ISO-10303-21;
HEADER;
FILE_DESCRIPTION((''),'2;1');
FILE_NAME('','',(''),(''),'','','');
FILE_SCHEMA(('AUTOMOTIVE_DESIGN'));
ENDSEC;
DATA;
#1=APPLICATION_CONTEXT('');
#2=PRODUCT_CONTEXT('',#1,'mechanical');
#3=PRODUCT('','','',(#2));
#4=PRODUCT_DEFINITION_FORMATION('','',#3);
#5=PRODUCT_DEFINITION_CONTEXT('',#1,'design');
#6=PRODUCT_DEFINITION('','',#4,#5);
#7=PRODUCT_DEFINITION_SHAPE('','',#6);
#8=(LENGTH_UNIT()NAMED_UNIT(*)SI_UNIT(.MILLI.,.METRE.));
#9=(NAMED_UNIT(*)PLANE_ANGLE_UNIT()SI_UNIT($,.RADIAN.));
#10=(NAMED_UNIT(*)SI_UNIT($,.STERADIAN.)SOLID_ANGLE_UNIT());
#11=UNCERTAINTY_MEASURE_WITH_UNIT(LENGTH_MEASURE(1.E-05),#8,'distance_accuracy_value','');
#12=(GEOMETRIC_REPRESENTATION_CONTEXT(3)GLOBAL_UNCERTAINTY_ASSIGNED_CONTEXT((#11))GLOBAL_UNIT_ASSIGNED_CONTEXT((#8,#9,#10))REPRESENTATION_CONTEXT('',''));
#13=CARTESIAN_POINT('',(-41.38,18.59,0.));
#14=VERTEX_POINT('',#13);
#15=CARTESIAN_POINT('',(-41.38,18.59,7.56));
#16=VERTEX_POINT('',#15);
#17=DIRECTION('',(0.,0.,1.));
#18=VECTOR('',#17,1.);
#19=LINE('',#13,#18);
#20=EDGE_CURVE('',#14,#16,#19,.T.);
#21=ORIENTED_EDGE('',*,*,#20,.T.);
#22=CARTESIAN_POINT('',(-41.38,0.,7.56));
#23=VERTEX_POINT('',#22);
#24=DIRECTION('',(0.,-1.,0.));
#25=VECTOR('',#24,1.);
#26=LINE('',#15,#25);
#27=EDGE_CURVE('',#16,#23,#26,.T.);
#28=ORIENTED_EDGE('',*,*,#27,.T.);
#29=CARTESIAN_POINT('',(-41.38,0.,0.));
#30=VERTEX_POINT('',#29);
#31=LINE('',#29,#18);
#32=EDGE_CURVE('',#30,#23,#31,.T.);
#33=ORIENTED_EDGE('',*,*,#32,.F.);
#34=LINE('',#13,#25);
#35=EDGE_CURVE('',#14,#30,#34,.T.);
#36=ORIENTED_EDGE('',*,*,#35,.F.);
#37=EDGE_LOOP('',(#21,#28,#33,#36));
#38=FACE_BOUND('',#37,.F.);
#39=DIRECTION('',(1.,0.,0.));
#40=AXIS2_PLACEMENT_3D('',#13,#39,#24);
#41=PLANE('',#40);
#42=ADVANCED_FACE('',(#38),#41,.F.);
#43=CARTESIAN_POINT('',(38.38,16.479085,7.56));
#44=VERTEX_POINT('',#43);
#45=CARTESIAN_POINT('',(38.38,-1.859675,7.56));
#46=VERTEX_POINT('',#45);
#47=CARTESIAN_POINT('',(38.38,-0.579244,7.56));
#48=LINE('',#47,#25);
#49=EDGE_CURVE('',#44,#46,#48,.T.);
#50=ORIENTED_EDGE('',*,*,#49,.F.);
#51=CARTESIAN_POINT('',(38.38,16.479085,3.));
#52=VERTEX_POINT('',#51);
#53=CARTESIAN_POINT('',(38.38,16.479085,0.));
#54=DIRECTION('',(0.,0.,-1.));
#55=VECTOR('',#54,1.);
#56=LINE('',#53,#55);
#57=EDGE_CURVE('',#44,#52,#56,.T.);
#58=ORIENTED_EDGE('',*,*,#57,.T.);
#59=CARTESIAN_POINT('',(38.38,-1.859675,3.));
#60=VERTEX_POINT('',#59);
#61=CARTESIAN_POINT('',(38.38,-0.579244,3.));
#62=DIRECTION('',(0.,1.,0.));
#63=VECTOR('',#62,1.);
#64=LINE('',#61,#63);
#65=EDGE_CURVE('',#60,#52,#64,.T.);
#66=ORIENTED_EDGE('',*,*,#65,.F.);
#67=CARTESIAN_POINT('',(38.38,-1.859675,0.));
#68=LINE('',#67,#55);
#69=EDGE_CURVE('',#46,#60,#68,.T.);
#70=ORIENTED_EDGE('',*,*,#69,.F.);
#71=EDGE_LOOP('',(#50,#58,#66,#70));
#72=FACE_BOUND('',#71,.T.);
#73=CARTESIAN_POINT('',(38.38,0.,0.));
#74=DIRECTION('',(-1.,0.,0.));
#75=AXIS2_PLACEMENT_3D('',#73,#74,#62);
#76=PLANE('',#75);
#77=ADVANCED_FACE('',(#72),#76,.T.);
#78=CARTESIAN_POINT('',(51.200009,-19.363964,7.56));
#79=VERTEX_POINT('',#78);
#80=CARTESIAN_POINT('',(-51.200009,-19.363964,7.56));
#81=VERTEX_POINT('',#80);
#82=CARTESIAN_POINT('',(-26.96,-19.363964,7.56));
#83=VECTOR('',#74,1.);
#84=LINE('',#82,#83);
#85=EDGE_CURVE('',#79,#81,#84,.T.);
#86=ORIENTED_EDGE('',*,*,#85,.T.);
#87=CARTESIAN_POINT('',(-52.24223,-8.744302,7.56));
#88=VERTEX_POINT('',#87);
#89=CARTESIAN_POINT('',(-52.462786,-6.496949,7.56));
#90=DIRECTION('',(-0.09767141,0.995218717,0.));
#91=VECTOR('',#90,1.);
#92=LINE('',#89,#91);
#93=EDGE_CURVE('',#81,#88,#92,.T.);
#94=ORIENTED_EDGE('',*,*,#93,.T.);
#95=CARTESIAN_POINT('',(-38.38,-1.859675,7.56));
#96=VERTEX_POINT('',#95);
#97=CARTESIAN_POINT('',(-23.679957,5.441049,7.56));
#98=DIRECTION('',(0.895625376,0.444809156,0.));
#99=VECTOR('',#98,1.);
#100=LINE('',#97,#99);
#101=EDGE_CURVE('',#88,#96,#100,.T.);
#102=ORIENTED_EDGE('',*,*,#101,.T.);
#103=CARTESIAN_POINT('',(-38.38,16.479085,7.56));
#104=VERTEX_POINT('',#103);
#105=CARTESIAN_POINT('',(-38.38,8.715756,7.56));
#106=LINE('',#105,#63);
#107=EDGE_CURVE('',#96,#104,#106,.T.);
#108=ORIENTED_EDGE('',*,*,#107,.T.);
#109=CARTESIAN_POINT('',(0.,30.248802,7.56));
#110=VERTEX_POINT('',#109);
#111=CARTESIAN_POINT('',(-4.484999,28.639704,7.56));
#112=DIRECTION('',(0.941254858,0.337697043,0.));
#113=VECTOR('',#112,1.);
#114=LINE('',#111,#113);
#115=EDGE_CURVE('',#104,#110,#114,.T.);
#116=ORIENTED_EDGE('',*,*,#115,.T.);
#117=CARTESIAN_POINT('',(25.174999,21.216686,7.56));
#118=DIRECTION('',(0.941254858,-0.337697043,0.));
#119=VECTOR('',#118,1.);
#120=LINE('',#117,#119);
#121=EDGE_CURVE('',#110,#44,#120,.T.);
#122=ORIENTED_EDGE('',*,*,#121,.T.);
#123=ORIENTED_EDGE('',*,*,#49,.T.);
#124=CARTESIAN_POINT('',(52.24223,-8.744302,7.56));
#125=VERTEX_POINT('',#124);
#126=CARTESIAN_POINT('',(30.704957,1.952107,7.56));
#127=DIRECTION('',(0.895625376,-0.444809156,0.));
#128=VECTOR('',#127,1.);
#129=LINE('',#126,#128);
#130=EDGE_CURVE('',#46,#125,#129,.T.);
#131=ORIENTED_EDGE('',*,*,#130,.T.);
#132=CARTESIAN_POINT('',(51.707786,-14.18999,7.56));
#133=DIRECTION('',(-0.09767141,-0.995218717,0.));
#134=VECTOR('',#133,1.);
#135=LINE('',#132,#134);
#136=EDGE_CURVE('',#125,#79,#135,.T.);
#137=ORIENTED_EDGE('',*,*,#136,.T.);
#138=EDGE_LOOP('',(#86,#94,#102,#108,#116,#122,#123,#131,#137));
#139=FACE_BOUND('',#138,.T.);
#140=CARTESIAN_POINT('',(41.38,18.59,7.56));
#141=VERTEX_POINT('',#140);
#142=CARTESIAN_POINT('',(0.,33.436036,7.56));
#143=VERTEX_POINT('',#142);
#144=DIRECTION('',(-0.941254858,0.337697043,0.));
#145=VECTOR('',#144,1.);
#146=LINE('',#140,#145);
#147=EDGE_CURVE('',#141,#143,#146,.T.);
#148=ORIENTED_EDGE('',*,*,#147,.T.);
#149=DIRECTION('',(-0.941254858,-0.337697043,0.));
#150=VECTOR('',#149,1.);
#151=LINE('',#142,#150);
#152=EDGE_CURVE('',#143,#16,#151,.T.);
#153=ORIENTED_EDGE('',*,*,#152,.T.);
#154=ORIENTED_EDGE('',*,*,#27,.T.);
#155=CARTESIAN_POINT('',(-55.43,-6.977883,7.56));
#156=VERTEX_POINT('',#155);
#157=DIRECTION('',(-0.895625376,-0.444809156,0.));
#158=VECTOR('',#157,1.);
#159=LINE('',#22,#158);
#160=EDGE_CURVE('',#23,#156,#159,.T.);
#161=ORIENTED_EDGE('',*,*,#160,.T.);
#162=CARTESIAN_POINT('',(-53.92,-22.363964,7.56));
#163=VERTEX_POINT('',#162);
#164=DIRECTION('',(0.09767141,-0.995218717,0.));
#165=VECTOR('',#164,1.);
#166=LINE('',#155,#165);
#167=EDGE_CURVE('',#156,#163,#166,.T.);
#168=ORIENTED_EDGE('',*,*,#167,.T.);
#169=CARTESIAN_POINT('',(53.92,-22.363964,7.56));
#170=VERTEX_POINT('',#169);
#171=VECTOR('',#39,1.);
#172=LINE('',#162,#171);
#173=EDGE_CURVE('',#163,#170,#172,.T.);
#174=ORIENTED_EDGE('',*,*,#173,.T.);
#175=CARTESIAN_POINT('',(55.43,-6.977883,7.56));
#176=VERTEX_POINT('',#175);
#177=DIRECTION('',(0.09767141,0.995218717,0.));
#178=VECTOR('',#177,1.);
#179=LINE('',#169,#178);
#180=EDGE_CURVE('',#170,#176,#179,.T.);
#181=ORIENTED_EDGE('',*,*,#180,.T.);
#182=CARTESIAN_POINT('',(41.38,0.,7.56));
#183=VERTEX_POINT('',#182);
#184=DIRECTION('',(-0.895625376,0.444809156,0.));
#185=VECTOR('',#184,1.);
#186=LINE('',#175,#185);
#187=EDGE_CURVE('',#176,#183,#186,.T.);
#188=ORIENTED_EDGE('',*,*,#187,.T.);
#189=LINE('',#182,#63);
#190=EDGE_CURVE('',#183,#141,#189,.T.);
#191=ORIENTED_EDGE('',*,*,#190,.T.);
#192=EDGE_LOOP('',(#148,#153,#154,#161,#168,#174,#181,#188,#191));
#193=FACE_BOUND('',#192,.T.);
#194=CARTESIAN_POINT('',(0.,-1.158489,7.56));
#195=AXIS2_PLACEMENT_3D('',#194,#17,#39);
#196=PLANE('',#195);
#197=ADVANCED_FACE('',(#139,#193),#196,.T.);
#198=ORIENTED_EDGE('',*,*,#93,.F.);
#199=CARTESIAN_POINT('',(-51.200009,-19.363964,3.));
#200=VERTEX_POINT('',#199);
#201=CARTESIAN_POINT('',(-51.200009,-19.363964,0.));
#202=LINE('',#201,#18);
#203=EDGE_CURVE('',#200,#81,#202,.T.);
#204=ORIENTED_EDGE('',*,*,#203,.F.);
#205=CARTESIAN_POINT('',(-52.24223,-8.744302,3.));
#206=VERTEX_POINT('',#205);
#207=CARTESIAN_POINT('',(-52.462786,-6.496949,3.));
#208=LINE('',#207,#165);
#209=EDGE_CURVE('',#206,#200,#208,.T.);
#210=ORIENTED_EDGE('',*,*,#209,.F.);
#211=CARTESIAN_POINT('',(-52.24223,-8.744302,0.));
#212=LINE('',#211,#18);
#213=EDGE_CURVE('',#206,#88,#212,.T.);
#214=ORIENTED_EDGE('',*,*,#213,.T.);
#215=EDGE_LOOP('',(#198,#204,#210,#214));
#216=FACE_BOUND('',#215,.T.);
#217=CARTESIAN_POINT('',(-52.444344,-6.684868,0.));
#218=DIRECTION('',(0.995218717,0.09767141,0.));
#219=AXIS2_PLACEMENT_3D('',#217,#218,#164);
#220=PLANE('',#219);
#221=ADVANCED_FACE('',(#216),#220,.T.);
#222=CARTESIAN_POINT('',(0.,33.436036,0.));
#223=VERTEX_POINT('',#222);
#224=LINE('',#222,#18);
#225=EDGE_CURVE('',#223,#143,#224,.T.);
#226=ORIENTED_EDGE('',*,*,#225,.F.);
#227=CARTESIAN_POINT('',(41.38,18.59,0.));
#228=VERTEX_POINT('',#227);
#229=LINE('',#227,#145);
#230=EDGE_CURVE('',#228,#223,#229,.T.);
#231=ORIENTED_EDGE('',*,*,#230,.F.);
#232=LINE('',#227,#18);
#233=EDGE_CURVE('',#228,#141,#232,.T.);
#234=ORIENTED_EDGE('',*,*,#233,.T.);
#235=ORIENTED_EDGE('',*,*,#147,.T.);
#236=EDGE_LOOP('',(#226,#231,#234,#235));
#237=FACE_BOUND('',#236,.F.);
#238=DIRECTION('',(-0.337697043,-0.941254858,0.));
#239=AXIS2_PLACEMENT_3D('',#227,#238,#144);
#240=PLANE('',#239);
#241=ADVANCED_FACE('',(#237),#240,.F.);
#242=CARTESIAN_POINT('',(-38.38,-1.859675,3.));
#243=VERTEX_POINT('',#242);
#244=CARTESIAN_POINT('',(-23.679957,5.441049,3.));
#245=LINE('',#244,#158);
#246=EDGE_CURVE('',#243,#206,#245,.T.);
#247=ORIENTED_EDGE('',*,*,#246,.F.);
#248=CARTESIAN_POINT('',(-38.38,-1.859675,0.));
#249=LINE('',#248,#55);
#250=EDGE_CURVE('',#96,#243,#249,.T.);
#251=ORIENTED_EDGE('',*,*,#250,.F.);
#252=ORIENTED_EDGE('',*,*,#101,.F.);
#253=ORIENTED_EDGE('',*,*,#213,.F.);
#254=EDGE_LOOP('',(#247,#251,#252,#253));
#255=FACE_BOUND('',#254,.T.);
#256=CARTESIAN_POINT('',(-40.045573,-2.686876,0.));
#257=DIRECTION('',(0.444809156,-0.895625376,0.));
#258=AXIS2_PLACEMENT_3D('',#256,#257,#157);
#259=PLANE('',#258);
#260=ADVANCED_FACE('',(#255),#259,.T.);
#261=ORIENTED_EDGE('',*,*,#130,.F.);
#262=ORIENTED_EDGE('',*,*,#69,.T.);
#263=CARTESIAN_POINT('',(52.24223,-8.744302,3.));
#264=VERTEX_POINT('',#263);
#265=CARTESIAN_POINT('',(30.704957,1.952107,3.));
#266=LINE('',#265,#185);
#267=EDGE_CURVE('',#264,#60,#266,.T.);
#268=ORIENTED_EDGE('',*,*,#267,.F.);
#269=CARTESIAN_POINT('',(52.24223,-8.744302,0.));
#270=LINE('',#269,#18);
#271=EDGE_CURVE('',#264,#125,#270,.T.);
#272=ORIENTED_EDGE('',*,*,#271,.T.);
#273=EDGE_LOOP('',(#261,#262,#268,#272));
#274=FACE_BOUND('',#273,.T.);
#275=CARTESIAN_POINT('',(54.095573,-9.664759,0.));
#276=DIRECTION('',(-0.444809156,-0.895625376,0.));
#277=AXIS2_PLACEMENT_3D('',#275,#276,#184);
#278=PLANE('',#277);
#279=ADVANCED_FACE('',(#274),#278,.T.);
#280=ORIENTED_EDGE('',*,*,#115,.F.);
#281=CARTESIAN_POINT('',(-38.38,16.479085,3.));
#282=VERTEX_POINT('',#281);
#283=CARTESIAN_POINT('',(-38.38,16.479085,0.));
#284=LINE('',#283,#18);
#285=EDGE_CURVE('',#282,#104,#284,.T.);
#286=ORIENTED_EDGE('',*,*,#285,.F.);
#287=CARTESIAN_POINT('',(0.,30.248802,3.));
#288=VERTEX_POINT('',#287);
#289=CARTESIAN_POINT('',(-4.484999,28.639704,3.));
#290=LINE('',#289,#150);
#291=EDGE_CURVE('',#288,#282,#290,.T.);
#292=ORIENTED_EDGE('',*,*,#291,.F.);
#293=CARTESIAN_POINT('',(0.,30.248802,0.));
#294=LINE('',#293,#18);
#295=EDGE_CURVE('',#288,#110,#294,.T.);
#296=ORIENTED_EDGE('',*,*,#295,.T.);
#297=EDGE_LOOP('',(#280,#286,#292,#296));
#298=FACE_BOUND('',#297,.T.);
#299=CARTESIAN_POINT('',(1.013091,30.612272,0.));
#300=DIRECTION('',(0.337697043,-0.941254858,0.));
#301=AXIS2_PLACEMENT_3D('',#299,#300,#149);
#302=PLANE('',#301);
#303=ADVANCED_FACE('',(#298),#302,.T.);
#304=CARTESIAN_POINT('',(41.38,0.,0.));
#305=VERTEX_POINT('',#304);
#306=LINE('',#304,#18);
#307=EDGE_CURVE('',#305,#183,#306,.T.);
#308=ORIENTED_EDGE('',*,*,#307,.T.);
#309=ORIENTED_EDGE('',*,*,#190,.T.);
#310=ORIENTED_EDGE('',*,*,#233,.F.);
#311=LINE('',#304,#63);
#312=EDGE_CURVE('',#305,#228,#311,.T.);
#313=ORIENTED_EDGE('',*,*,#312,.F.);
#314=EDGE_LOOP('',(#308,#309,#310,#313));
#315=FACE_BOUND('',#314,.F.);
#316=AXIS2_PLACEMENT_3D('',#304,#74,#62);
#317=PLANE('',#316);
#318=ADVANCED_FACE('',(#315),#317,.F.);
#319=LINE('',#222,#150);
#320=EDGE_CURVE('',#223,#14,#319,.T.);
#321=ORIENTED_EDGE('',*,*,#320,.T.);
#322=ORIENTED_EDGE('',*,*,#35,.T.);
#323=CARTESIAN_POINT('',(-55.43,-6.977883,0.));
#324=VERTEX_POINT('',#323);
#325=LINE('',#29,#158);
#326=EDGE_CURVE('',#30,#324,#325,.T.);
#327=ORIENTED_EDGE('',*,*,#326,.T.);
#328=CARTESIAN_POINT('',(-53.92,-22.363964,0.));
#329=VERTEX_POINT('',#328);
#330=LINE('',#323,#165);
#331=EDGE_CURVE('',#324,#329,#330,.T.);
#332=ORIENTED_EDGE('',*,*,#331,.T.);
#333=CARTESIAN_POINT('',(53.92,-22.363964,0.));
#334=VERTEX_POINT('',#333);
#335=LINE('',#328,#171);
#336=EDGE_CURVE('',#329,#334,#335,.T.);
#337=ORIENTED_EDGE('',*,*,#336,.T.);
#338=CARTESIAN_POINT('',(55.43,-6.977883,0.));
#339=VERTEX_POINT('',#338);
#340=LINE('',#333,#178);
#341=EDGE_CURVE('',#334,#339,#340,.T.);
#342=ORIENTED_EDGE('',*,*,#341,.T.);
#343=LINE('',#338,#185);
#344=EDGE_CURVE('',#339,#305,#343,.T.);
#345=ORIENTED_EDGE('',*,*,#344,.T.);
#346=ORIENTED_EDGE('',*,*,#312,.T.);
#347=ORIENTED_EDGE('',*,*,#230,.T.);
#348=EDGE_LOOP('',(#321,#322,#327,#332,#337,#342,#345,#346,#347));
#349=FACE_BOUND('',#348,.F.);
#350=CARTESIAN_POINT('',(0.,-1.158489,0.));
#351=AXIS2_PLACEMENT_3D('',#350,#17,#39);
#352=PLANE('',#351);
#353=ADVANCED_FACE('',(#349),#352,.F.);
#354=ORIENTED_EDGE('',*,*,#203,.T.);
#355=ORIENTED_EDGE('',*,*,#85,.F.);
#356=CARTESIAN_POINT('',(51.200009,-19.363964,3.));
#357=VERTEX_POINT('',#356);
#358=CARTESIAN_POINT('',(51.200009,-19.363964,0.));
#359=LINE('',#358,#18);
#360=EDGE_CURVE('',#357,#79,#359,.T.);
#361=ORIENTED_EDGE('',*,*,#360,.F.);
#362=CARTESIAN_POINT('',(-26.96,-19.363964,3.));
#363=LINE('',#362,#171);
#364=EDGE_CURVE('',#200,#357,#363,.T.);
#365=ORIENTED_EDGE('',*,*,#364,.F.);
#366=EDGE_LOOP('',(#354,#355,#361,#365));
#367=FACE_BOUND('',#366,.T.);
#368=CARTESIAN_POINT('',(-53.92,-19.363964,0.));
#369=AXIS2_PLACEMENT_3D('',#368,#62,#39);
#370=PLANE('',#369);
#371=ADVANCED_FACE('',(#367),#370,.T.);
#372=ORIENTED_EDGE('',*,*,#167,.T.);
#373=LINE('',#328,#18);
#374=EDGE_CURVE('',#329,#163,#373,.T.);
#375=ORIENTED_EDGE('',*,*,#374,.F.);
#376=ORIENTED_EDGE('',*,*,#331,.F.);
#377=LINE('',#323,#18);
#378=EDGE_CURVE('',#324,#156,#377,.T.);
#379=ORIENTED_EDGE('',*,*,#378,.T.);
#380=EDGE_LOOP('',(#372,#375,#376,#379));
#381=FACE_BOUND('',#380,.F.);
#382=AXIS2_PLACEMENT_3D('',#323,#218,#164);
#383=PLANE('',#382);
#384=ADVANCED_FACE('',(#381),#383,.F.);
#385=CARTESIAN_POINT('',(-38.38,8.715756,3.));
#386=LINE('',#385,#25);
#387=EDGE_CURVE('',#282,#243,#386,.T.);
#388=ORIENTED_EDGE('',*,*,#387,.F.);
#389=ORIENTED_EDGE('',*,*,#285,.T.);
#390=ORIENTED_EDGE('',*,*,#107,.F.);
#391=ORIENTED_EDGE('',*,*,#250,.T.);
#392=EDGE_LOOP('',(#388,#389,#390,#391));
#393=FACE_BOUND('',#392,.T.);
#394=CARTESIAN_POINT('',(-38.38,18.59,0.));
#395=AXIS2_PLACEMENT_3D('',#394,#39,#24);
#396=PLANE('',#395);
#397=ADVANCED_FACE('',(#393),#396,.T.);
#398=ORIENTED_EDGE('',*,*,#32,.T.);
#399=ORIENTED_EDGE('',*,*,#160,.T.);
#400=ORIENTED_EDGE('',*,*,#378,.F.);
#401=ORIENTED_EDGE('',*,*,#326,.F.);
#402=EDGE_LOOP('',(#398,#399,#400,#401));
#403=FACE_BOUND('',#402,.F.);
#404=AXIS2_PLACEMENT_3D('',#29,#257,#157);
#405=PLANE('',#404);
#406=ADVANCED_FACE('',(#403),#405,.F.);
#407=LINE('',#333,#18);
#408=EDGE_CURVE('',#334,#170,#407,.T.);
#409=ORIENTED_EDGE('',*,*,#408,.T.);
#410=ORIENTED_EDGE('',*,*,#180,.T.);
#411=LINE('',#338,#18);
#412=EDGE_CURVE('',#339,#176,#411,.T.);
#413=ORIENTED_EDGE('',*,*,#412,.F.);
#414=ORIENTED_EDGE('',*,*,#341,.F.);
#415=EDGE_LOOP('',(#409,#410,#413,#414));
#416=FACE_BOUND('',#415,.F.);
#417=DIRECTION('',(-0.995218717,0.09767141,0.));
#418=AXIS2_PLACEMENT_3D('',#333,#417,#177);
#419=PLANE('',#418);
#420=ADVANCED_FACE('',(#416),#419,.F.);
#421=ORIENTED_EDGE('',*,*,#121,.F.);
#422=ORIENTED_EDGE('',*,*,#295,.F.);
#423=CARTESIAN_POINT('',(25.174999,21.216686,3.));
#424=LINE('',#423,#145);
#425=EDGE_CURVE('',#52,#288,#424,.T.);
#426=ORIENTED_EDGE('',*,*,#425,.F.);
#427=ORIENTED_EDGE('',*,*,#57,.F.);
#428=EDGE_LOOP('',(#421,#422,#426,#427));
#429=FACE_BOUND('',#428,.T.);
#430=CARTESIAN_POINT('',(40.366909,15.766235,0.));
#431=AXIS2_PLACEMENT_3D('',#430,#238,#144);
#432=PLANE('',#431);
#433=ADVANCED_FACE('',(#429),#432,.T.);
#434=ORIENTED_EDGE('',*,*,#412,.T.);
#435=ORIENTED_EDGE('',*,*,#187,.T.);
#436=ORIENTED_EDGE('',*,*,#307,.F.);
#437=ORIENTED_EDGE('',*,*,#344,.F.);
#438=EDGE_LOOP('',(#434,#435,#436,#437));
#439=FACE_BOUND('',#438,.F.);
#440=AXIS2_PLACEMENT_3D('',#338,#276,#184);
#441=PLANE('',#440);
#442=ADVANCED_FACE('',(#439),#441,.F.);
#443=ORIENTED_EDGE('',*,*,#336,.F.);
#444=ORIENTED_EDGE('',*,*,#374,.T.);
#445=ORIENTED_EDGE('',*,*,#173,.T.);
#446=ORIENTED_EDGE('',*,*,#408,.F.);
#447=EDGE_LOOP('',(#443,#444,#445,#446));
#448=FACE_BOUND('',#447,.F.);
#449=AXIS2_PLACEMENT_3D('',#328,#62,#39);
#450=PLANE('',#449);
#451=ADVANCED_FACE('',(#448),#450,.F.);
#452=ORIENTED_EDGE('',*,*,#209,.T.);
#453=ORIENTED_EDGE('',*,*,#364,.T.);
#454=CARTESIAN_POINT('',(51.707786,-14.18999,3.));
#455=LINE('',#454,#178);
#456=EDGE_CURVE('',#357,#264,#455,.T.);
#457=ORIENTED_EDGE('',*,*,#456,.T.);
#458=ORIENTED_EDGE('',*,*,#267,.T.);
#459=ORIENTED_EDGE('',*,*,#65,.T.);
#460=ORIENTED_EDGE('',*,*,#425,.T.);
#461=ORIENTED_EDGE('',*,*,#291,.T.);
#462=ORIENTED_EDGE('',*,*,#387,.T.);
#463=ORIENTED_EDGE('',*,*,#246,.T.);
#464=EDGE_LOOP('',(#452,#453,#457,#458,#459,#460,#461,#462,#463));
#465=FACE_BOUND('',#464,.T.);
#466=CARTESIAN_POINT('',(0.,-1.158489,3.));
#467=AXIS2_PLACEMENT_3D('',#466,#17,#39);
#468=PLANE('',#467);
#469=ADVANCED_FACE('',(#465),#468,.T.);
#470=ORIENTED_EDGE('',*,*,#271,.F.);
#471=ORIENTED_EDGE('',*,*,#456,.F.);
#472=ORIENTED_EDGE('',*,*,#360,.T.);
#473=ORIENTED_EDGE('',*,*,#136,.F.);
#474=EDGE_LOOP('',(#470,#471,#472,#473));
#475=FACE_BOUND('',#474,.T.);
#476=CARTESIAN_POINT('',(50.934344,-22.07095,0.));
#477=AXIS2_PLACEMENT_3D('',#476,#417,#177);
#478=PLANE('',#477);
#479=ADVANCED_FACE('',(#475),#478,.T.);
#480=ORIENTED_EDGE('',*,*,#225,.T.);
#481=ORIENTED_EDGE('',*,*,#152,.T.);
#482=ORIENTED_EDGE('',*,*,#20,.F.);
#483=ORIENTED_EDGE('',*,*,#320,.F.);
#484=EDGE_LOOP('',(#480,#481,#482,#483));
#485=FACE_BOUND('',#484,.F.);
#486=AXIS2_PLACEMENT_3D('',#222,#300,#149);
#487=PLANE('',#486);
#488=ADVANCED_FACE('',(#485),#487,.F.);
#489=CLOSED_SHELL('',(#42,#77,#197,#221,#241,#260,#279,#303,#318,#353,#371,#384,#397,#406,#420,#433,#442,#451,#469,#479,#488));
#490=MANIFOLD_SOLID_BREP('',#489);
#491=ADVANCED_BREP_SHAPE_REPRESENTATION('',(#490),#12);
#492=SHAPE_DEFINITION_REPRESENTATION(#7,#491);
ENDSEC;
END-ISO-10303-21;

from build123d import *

# Parameters (mm, degrees)
F1_DEPTH = 7.56
F2_T     = -3


with BuildPart() as f1:
    # F0 (on Top) → F1 (new body)
    with BuildSketch(Plane.XY):
        Polygon((41.38, 18.59), (0, 33.4360361274), (-41.38, 18.59), (-41.38, 0), (-55.43, -6.9778825002), (-53.92, -22.3639638726), (0, -22.3639638726), (53.92, -22.3639638726), (55.43, -6.9778825002), (41.38, 0), align=None)
    extrude(amount=F1_DEPTH)

    # F2
    f2_openings = [f1.faces().sort_by_distance(p)[0] for p in [
        (0, 0.369388, 7.56),
    ]]
    offset(amount=F2_T, openings=f2_openings, kind=Kind.INTERSECTION)


solid = f1.part
